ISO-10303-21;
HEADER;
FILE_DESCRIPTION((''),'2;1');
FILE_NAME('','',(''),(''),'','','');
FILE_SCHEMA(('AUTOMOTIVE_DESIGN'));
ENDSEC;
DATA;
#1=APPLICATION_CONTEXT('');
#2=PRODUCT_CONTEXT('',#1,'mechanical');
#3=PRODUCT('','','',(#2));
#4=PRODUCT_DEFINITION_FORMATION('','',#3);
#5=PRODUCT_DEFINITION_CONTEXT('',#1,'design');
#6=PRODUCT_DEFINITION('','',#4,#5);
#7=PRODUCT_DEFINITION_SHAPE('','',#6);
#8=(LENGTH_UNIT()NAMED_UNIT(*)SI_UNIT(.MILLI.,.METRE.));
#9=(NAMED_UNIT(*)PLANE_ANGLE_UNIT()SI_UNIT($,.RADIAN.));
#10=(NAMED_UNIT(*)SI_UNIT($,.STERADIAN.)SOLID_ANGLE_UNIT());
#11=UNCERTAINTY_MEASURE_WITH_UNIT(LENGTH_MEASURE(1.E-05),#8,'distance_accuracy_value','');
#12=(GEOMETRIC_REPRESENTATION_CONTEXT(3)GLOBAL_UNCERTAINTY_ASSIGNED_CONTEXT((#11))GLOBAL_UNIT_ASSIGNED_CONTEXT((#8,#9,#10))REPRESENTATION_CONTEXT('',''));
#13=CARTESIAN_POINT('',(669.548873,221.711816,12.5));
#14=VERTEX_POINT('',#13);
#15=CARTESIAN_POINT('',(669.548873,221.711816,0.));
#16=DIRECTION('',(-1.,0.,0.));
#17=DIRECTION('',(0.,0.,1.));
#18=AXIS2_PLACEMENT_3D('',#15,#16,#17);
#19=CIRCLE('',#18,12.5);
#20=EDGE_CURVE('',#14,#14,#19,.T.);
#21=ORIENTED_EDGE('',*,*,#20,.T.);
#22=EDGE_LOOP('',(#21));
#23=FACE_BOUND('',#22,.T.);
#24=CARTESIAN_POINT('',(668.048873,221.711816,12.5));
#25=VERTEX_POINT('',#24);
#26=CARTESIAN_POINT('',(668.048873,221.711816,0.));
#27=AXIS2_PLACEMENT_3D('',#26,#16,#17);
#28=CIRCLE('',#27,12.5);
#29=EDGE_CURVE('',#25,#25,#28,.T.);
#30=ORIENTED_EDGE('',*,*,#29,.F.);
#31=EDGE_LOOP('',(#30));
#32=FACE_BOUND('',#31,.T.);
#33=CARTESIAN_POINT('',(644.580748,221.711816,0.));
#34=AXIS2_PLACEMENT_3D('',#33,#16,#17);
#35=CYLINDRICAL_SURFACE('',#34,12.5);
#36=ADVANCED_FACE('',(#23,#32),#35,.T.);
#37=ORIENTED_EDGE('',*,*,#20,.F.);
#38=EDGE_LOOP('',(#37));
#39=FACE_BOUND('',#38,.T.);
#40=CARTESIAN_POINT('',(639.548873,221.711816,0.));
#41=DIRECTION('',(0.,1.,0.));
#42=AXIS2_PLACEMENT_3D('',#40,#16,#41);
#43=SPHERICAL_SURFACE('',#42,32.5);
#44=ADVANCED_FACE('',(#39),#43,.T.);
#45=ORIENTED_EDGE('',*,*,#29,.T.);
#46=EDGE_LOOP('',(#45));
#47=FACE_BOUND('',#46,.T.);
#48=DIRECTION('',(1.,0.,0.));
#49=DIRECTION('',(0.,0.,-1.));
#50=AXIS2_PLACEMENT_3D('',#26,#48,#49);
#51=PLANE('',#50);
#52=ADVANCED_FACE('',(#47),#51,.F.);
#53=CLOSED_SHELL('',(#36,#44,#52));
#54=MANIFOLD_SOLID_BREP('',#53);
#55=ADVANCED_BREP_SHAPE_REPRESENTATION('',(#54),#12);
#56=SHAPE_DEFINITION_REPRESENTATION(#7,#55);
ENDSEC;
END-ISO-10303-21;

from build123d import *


with BuildPart() as part:
    # 草图2 → 旋转2 (revolve)
    with BuildSketch(Plane.XY):
        with BuildLine():
            Line((668.04887257, 221.711816188), (668.04887257, 234.211816188))
            Line((668.04887257, 234.211816188), (669.54887257, 234.211816188))
            ThreePointArc((669.54887257, 234.211816188), (671.41774453, 228.08559058), (672.04887257, 221.711816188))
            Line((672.04887257, 221.711816188), (668.04887257, 221.711816188))
        make_face()
    revolve(axis=Axis((644.580747603, 221.711816188, 0), (1, 0, 0)))


solid = part.part
